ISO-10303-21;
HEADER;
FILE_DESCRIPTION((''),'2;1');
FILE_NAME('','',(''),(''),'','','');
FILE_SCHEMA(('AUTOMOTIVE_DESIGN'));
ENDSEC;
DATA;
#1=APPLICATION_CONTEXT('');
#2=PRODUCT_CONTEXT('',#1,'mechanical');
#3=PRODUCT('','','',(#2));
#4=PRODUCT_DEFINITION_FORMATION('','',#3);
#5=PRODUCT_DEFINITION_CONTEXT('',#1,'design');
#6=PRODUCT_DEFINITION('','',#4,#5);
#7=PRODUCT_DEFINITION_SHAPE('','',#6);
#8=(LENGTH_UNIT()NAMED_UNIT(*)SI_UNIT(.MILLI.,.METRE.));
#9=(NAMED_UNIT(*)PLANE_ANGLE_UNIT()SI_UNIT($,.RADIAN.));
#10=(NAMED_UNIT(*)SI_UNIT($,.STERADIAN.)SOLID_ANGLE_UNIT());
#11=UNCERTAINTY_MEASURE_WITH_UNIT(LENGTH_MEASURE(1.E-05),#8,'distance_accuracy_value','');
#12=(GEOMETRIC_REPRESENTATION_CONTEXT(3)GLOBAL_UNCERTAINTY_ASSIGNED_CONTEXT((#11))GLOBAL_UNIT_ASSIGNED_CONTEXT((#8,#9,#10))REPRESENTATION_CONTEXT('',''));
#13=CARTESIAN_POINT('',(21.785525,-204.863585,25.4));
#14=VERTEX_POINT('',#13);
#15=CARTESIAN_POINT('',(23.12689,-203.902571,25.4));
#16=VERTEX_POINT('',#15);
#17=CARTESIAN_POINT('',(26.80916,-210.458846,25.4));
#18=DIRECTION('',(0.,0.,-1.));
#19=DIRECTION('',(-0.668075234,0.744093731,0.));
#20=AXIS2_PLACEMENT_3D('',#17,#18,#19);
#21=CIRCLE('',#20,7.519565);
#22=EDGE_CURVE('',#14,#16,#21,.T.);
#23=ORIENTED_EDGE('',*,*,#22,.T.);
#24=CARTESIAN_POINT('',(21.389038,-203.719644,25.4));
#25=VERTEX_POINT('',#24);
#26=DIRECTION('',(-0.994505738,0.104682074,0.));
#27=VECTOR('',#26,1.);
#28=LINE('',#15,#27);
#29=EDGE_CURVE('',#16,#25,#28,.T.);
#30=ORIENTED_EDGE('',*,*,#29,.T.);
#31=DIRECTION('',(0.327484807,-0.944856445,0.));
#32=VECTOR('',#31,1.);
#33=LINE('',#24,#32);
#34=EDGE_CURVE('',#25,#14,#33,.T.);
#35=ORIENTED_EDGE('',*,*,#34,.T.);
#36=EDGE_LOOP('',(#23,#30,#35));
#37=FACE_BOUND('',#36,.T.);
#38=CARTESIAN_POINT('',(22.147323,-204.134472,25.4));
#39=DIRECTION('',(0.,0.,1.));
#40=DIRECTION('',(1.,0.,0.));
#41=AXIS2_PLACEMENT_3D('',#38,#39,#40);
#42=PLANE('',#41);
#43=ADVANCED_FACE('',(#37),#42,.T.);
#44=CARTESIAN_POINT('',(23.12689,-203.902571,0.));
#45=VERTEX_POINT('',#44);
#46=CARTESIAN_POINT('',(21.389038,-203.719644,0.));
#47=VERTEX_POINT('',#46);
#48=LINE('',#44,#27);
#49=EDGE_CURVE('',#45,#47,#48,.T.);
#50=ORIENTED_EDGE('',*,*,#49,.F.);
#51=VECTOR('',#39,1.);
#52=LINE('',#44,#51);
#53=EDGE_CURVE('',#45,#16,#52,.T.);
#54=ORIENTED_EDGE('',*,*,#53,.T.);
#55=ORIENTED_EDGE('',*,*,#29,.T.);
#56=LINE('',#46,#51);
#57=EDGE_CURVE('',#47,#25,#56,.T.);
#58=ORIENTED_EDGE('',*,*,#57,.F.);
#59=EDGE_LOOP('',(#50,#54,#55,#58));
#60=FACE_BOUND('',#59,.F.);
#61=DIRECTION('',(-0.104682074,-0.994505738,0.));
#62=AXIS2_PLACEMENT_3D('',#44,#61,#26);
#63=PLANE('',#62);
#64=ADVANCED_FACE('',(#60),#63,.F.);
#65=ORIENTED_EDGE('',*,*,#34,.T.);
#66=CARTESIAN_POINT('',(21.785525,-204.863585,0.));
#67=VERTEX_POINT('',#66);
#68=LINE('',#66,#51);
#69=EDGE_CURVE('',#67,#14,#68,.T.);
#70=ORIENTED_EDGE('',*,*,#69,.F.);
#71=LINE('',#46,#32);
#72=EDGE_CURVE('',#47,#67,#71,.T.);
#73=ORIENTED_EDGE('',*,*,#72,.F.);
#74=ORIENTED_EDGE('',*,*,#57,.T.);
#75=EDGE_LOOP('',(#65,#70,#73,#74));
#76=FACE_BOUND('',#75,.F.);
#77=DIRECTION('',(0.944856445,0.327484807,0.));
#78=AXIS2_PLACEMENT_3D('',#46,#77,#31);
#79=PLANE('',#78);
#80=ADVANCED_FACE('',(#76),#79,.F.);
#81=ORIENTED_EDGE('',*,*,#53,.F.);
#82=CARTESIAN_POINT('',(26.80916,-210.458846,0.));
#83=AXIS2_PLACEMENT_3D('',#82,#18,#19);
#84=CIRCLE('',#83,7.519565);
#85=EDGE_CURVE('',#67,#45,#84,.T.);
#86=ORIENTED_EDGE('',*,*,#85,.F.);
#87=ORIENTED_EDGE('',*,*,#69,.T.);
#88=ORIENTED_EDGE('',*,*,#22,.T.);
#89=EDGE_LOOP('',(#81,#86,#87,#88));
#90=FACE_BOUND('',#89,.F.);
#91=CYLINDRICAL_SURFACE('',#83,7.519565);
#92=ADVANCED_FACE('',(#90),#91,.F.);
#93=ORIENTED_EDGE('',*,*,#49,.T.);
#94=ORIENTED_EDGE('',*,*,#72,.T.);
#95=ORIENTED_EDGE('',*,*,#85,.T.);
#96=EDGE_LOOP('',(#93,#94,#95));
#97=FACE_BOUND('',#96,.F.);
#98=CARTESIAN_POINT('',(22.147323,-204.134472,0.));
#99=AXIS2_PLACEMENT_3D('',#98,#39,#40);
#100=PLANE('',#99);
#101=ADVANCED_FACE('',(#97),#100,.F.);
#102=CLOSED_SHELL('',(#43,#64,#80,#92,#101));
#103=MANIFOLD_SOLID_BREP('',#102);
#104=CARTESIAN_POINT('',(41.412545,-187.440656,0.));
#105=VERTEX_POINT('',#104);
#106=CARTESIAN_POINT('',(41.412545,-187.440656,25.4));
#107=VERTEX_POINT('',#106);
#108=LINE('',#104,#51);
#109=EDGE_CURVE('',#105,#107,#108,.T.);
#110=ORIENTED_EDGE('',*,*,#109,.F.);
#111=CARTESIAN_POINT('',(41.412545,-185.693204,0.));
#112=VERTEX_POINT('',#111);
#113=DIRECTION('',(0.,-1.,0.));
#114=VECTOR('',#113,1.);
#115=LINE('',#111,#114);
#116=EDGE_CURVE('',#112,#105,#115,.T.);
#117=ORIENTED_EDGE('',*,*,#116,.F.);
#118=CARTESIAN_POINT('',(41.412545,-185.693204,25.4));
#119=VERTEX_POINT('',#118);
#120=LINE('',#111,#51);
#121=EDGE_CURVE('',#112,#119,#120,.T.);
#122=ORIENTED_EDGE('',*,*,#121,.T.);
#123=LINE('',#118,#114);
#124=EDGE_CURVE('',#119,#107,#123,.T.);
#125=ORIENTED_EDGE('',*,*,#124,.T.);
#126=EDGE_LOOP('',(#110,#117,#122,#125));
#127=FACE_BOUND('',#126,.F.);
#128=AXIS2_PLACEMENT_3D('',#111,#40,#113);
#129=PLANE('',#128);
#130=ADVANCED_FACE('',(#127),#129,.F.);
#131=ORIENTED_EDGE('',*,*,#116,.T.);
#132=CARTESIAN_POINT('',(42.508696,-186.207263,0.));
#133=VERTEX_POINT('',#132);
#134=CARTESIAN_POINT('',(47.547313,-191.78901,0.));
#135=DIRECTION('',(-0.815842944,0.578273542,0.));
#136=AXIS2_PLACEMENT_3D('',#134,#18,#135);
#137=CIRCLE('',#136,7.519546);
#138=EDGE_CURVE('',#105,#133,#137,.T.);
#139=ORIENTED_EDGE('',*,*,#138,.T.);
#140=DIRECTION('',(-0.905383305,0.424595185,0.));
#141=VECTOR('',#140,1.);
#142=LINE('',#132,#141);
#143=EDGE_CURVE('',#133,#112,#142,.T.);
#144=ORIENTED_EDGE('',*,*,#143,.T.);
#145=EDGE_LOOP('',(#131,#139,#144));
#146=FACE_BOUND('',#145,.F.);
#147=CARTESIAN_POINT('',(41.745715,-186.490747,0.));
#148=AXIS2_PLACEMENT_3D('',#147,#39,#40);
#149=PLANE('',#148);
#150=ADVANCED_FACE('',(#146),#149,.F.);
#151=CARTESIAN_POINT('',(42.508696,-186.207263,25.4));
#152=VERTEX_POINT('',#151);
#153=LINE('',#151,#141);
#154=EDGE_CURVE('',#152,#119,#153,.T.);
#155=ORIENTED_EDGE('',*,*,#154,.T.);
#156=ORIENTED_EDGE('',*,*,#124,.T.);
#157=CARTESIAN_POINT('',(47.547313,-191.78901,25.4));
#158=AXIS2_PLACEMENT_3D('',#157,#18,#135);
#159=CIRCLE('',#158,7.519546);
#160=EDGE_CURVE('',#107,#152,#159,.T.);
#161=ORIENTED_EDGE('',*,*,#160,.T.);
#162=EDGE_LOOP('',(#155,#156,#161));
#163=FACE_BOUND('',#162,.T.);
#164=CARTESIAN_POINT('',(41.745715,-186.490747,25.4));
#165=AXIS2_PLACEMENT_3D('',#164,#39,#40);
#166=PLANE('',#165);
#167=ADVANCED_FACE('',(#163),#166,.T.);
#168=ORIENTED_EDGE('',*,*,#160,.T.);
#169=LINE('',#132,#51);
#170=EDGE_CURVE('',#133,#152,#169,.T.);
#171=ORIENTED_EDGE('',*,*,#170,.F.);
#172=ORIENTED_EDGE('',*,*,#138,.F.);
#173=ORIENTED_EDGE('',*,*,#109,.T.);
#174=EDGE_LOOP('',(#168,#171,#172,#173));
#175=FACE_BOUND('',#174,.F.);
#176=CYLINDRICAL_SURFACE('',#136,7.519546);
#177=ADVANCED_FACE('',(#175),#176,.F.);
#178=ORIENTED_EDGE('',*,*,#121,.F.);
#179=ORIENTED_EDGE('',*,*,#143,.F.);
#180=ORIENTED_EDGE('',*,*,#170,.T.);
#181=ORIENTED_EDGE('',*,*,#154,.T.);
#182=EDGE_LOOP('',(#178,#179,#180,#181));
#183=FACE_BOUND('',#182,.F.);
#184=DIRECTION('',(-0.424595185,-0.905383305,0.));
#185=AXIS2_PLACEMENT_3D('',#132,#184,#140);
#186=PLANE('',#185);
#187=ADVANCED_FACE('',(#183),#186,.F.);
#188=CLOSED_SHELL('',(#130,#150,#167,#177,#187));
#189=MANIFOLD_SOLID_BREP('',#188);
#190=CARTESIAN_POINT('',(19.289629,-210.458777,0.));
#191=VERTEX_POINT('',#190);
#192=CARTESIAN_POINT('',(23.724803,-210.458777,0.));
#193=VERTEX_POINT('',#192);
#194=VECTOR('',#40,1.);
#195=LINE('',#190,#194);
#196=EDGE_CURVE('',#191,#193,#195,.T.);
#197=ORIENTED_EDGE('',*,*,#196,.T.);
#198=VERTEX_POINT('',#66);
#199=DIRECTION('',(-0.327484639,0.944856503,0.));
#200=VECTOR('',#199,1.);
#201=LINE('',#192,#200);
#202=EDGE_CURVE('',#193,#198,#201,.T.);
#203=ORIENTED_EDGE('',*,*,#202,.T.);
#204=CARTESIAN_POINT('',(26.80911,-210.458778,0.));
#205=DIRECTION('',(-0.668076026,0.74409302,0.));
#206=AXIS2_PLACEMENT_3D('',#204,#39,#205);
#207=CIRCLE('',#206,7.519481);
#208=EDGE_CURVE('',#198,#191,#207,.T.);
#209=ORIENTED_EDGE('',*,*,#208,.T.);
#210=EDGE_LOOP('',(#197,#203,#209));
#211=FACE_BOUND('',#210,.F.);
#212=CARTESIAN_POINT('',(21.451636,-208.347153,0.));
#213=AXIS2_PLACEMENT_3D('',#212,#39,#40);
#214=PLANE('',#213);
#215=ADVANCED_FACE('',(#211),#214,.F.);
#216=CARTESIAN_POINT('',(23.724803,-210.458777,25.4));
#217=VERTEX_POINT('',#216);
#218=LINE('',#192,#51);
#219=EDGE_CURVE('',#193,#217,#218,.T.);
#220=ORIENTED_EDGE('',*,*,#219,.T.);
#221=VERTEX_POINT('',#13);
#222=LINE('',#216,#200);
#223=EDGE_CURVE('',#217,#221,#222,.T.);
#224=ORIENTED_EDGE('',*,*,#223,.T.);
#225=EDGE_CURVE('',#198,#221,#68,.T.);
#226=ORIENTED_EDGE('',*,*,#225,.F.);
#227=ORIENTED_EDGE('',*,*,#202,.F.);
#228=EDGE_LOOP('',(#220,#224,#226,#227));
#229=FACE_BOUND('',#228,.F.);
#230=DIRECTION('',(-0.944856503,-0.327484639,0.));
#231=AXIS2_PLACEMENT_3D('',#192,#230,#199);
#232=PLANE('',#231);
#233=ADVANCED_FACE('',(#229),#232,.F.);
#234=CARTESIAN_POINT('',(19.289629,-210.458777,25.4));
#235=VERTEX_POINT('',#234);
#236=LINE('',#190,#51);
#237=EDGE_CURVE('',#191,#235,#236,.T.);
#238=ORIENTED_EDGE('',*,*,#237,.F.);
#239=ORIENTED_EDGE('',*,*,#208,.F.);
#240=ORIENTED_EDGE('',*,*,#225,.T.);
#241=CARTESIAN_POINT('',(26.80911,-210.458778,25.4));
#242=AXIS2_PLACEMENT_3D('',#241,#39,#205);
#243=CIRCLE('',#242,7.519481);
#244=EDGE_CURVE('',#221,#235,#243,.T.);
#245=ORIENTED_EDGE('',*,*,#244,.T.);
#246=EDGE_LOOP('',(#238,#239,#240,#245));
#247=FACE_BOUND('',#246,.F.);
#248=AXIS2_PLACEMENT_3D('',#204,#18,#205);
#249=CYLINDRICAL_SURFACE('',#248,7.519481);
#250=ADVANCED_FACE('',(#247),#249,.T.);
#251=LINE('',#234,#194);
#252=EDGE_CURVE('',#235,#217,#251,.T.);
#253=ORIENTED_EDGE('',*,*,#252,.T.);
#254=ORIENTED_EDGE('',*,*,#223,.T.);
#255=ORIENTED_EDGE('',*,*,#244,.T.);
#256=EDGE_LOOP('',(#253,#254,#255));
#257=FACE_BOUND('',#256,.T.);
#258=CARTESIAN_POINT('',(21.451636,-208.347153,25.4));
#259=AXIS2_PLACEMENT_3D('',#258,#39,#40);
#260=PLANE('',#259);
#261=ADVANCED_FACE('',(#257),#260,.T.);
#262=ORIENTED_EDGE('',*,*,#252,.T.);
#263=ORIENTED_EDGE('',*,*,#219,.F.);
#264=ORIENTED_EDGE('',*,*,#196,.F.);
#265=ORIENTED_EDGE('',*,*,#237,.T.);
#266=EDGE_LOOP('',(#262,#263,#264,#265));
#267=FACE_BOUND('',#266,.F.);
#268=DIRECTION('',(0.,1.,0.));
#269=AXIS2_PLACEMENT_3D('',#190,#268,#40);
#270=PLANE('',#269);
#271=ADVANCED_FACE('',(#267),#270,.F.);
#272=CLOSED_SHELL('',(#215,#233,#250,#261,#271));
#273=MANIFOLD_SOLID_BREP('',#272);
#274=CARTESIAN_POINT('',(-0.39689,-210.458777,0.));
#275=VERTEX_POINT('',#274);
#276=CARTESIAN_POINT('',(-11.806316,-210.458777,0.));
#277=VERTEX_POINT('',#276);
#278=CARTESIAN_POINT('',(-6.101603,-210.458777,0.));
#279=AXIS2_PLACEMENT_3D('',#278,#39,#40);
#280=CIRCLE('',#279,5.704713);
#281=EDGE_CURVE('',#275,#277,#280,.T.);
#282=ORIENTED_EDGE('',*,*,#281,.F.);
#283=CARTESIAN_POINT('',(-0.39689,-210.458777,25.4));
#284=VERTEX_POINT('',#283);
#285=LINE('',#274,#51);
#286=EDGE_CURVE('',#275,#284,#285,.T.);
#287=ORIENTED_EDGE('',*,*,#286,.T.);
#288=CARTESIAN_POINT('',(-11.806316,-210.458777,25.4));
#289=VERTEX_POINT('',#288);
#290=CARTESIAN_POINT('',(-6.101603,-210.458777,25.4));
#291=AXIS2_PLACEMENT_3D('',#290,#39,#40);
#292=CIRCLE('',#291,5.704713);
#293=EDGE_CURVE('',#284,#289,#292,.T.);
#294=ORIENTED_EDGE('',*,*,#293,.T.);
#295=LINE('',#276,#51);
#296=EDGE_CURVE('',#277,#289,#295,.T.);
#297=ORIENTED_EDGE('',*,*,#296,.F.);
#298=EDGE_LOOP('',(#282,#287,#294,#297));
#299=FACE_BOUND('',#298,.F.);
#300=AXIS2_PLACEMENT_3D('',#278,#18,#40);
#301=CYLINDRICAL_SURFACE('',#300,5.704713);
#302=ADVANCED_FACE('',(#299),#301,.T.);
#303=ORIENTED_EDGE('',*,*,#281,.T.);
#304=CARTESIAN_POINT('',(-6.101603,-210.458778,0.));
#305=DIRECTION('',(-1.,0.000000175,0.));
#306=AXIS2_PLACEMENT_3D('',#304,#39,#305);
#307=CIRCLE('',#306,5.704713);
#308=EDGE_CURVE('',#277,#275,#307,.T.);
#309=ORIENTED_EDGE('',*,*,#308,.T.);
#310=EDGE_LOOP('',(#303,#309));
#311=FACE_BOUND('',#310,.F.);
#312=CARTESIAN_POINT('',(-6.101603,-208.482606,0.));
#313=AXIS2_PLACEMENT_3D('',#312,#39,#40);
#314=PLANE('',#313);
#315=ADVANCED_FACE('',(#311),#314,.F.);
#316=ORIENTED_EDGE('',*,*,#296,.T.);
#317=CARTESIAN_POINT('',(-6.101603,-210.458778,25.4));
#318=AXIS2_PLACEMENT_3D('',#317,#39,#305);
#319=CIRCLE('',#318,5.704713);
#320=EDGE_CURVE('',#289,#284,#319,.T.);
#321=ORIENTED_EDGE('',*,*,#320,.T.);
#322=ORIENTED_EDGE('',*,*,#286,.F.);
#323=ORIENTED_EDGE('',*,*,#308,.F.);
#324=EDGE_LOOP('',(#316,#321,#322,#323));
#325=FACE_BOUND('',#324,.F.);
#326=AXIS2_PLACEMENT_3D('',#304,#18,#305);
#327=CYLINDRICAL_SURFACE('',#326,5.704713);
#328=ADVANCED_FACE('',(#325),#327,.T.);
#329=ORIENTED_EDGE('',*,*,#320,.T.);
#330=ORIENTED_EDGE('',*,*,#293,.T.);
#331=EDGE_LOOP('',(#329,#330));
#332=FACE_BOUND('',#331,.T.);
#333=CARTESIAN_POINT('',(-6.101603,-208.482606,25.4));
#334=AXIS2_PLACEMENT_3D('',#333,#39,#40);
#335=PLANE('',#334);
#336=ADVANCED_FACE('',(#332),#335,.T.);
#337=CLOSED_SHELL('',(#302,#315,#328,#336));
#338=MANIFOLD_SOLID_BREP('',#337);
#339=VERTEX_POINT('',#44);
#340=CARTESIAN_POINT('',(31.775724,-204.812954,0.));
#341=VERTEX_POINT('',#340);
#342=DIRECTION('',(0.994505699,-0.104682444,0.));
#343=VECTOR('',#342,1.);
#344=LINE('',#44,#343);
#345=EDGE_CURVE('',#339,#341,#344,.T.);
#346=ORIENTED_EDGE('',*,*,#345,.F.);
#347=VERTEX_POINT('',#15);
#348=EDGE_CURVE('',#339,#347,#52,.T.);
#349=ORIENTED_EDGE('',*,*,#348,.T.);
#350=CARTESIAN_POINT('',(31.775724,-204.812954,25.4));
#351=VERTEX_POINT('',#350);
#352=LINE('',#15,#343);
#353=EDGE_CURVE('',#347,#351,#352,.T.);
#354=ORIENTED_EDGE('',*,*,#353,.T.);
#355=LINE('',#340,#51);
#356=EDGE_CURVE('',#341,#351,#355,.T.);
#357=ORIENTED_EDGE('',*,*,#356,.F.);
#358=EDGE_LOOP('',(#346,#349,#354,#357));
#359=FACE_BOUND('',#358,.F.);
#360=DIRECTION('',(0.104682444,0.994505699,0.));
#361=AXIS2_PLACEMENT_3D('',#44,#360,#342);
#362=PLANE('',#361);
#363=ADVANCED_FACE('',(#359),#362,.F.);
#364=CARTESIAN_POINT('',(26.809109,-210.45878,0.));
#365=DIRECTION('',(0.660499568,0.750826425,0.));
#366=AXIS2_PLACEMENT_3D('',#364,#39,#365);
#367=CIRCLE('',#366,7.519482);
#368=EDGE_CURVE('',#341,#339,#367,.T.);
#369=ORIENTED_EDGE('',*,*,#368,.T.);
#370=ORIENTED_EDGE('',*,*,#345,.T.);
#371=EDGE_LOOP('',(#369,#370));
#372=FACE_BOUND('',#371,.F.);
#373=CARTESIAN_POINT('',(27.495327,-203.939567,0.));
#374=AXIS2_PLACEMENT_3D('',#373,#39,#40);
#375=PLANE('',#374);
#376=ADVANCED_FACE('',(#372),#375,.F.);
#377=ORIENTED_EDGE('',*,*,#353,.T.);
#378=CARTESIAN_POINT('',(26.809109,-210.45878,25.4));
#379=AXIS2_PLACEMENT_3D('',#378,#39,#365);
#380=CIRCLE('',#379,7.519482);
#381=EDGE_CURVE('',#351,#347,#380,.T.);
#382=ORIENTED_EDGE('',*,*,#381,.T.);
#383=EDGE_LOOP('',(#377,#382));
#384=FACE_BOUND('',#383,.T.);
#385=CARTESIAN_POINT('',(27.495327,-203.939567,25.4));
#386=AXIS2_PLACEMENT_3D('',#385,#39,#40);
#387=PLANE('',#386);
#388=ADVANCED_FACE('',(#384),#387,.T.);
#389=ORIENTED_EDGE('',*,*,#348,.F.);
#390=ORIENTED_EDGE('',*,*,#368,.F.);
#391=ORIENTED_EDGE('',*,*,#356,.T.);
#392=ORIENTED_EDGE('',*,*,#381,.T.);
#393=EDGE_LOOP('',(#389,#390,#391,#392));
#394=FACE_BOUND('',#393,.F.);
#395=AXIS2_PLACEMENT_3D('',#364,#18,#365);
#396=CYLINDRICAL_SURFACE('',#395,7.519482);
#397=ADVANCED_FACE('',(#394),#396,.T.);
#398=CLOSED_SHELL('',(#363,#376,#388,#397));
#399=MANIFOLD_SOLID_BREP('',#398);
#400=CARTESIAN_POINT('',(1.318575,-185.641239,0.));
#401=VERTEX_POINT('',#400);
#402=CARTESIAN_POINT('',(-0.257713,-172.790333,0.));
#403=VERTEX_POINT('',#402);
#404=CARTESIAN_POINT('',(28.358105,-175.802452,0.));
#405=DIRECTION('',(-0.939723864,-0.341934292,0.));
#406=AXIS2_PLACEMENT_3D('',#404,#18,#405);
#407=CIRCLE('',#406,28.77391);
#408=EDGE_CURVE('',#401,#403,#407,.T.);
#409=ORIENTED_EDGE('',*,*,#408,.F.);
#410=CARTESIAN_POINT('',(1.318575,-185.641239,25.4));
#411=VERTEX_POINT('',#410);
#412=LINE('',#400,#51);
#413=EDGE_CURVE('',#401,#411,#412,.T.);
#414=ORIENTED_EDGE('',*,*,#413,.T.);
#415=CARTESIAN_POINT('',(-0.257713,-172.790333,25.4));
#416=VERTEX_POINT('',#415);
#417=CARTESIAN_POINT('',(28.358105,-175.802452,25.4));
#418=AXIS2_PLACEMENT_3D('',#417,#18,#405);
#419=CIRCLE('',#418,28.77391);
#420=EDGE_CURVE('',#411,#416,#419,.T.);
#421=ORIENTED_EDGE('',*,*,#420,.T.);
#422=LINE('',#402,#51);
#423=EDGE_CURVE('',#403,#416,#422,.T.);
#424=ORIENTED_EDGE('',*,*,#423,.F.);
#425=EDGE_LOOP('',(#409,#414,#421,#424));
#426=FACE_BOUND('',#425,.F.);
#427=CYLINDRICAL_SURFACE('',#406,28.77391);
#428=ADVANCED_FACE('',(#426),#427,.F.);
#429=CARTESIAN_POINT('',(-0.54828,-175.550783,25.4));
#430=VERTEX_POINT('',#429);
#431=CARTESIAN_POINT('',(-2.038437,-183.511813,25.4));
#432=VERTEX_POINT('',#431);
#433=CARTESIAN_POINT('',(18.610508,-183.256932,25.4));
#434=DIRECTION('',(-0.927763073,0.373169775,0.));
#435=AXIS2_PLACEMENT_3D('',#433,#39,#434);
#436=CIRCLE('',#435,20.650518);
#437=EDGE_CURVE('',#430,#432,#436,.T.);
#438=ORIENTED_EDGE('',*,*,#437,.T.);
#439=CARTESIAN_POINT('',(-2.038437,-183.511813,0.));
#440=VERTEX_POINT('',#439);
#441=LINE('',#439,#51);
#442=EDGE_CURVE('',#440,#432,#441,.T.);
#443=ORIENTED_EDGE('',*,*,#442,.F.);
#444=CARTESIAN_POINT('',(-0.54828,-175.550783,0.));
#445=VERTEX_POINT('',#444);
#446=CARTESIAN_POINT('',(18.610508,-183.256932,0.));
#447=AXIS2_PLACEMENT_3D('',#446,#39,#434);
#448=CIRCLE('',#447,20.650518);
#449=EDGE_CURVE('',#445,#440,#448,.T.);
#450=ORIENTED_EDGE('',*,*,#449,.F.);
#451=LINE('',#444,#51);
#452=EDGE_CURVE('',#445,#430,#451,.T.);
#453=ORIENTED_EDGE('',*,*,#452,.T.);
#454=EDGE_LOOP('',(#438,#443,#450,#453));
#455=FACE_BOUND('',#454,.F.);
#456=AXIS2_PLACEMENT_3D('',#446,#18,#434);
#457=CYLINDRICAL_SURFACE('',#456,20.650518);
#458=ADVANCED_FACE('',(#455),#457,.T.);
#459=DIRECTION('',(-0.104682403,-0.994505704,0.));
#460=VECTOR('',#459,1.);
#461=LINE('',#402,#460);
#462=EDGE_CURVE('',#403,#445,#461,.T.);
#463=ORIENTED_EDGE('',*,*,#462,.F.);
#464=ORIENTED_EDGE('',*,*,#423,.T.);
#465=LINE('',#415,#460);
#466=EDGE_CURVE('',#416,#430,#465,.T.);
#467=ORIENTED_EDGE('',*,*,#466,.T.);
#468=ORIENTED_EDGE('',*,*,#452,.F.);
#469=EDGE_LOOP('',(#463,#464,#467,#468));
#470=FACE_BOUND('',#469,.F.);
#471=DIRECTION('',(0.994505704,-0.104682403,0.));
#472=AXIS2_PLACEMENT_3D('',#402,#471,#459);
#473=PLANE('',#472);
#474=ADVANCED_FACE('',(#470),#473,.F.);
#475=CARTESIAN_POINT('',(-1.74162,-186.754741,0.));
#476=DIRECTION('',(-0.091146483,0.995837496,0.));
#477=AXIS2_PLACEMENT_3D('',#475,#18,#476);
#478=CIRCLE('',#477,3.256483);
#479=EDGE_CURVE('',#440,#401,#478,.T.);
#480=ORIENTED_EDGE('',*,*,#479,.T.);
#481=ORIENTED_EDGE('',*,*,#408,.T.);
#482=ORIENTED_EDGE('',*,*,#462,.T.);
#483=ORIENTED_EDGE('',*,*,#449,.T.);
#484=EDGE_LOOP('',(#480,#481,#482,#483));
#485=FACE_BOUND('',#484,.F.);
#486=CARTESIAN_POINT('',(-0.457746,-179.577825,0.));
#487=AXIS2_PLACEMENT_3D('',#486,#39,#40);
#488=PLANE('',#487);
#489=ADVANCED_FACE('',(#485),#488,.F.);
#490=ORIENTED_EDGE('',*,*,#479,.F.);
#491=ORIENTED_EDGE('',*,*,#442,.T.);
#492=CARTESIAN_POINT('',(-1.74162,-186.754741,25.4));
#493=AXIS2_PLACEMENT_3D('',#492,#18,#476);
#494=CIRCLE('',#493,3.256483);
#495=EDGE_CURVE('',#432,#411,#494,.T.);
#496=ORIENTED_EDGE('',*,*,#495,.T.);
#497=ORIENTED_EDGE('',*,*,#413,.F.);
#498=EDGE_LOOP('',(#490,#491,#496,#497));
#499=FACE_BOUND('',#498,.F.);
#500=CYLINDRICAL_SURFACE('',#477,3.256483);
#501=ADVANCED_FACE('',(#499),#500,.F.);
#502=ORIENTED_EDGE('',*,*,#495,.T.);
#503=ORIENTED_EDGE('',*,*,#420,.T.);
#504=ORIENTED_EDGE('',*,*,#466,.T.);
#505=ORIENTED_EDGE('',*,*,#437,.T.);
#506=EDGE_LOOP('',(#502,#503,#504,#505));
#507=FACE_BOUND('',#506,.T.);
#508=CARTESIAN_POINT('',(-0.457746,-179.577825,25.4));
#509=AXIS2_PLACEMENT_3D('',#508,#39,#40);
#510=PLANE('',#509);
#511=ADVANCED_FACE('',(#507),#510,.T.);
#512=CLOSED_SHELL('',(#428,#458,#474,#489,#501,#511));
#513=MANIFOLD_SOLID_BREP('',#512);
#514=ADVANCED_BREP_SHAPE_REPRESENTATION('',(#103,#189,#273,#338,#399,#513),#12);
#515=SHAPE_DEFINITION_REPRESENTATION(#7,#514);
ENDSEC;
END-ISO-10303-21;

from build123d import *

# Parameters (mm, degrees)
F1_DEPTH = 25.4


with BuildPart() as f1:
    # F0 (on Top) → F1 (new body)
    with BuildSketch(Plane.XY):
        with BuildLine():
            ThreePointArc((-0.39689, -210.458777), (-6.101603, -204.754064), (-11.806316, -210.458777))
            Line((-11.806316, -210.458777), (-6.101603, -210.458777))
            Line((-6.101603, -210.458777), (-0.39689, -210.458777))
        make_face()
        with BuildLine():
            Line((-6.101603, -210.458777), (-11.806316, -210.458777))
            ThreePointArc((-11.806316, -210.458777), (-6.101603, -216.163491), (-0.39689, -210.458777))
            Line((-0.39689, -210.458777), (-6.101603, -210.458777))
        make_face()
        with BuildLine():
            Line((42.508696, -186.207263), (41.412545, -185.693204))
            Line((41.412545, -185.693204), (41.412545, -187.440656))
            ThreePointArc((41.412545, -187.440656), (41.926686, -186.793801), (42.508696, -186.207263))
        make_face()
        with BuildLine():
            Line((23.12689, -203.902571), (31.775724, -204.812954))
            ThreePointArc((31.775724, -204.812954), (27.596267, -202.980612), (23.12689, -203.902571))
        make_face()
        with BuildLine():
            Line((23.724803, -210.458777), (21.785525, -204.863585))
            ThreePointArc((21.785525, -204.863585), (19.941893, -207.395459), (19.289629, -210.458777))
            Line((19.289629, -210.458777), (23.724803, -210.458777))
        make_face()
        with BuildLine():
            ThreePointArc((21.785525, -204.863585), (22.429767, -204.346173), (23.12689, -203.902571))
            Line((23.12689, -203.902571), (21.389038, -203.719644))
            Line((21.389038, -203.719644), (21.785525, -204.863585))
        make_face()
        with BuildLine():
            ThreePointArc((-0.54828, -175.550783), (-1.687482, -179.457525), (-2.038437, -183.511813))
            ThreePointArc((-2.038437, -183.511813), (0.002707, -184.004831), (1.318575, -185.641239))
            ThreePointArc((1.318575, -185.641239), (-0.20176, -179.305596), (-0.257713, -172.790333))
            Line((-0.257713, -172.790333), (-0.54828, -175.550783))
        make_face()
    extrude(amount=F1_DEPTH)


solid = f1.part
